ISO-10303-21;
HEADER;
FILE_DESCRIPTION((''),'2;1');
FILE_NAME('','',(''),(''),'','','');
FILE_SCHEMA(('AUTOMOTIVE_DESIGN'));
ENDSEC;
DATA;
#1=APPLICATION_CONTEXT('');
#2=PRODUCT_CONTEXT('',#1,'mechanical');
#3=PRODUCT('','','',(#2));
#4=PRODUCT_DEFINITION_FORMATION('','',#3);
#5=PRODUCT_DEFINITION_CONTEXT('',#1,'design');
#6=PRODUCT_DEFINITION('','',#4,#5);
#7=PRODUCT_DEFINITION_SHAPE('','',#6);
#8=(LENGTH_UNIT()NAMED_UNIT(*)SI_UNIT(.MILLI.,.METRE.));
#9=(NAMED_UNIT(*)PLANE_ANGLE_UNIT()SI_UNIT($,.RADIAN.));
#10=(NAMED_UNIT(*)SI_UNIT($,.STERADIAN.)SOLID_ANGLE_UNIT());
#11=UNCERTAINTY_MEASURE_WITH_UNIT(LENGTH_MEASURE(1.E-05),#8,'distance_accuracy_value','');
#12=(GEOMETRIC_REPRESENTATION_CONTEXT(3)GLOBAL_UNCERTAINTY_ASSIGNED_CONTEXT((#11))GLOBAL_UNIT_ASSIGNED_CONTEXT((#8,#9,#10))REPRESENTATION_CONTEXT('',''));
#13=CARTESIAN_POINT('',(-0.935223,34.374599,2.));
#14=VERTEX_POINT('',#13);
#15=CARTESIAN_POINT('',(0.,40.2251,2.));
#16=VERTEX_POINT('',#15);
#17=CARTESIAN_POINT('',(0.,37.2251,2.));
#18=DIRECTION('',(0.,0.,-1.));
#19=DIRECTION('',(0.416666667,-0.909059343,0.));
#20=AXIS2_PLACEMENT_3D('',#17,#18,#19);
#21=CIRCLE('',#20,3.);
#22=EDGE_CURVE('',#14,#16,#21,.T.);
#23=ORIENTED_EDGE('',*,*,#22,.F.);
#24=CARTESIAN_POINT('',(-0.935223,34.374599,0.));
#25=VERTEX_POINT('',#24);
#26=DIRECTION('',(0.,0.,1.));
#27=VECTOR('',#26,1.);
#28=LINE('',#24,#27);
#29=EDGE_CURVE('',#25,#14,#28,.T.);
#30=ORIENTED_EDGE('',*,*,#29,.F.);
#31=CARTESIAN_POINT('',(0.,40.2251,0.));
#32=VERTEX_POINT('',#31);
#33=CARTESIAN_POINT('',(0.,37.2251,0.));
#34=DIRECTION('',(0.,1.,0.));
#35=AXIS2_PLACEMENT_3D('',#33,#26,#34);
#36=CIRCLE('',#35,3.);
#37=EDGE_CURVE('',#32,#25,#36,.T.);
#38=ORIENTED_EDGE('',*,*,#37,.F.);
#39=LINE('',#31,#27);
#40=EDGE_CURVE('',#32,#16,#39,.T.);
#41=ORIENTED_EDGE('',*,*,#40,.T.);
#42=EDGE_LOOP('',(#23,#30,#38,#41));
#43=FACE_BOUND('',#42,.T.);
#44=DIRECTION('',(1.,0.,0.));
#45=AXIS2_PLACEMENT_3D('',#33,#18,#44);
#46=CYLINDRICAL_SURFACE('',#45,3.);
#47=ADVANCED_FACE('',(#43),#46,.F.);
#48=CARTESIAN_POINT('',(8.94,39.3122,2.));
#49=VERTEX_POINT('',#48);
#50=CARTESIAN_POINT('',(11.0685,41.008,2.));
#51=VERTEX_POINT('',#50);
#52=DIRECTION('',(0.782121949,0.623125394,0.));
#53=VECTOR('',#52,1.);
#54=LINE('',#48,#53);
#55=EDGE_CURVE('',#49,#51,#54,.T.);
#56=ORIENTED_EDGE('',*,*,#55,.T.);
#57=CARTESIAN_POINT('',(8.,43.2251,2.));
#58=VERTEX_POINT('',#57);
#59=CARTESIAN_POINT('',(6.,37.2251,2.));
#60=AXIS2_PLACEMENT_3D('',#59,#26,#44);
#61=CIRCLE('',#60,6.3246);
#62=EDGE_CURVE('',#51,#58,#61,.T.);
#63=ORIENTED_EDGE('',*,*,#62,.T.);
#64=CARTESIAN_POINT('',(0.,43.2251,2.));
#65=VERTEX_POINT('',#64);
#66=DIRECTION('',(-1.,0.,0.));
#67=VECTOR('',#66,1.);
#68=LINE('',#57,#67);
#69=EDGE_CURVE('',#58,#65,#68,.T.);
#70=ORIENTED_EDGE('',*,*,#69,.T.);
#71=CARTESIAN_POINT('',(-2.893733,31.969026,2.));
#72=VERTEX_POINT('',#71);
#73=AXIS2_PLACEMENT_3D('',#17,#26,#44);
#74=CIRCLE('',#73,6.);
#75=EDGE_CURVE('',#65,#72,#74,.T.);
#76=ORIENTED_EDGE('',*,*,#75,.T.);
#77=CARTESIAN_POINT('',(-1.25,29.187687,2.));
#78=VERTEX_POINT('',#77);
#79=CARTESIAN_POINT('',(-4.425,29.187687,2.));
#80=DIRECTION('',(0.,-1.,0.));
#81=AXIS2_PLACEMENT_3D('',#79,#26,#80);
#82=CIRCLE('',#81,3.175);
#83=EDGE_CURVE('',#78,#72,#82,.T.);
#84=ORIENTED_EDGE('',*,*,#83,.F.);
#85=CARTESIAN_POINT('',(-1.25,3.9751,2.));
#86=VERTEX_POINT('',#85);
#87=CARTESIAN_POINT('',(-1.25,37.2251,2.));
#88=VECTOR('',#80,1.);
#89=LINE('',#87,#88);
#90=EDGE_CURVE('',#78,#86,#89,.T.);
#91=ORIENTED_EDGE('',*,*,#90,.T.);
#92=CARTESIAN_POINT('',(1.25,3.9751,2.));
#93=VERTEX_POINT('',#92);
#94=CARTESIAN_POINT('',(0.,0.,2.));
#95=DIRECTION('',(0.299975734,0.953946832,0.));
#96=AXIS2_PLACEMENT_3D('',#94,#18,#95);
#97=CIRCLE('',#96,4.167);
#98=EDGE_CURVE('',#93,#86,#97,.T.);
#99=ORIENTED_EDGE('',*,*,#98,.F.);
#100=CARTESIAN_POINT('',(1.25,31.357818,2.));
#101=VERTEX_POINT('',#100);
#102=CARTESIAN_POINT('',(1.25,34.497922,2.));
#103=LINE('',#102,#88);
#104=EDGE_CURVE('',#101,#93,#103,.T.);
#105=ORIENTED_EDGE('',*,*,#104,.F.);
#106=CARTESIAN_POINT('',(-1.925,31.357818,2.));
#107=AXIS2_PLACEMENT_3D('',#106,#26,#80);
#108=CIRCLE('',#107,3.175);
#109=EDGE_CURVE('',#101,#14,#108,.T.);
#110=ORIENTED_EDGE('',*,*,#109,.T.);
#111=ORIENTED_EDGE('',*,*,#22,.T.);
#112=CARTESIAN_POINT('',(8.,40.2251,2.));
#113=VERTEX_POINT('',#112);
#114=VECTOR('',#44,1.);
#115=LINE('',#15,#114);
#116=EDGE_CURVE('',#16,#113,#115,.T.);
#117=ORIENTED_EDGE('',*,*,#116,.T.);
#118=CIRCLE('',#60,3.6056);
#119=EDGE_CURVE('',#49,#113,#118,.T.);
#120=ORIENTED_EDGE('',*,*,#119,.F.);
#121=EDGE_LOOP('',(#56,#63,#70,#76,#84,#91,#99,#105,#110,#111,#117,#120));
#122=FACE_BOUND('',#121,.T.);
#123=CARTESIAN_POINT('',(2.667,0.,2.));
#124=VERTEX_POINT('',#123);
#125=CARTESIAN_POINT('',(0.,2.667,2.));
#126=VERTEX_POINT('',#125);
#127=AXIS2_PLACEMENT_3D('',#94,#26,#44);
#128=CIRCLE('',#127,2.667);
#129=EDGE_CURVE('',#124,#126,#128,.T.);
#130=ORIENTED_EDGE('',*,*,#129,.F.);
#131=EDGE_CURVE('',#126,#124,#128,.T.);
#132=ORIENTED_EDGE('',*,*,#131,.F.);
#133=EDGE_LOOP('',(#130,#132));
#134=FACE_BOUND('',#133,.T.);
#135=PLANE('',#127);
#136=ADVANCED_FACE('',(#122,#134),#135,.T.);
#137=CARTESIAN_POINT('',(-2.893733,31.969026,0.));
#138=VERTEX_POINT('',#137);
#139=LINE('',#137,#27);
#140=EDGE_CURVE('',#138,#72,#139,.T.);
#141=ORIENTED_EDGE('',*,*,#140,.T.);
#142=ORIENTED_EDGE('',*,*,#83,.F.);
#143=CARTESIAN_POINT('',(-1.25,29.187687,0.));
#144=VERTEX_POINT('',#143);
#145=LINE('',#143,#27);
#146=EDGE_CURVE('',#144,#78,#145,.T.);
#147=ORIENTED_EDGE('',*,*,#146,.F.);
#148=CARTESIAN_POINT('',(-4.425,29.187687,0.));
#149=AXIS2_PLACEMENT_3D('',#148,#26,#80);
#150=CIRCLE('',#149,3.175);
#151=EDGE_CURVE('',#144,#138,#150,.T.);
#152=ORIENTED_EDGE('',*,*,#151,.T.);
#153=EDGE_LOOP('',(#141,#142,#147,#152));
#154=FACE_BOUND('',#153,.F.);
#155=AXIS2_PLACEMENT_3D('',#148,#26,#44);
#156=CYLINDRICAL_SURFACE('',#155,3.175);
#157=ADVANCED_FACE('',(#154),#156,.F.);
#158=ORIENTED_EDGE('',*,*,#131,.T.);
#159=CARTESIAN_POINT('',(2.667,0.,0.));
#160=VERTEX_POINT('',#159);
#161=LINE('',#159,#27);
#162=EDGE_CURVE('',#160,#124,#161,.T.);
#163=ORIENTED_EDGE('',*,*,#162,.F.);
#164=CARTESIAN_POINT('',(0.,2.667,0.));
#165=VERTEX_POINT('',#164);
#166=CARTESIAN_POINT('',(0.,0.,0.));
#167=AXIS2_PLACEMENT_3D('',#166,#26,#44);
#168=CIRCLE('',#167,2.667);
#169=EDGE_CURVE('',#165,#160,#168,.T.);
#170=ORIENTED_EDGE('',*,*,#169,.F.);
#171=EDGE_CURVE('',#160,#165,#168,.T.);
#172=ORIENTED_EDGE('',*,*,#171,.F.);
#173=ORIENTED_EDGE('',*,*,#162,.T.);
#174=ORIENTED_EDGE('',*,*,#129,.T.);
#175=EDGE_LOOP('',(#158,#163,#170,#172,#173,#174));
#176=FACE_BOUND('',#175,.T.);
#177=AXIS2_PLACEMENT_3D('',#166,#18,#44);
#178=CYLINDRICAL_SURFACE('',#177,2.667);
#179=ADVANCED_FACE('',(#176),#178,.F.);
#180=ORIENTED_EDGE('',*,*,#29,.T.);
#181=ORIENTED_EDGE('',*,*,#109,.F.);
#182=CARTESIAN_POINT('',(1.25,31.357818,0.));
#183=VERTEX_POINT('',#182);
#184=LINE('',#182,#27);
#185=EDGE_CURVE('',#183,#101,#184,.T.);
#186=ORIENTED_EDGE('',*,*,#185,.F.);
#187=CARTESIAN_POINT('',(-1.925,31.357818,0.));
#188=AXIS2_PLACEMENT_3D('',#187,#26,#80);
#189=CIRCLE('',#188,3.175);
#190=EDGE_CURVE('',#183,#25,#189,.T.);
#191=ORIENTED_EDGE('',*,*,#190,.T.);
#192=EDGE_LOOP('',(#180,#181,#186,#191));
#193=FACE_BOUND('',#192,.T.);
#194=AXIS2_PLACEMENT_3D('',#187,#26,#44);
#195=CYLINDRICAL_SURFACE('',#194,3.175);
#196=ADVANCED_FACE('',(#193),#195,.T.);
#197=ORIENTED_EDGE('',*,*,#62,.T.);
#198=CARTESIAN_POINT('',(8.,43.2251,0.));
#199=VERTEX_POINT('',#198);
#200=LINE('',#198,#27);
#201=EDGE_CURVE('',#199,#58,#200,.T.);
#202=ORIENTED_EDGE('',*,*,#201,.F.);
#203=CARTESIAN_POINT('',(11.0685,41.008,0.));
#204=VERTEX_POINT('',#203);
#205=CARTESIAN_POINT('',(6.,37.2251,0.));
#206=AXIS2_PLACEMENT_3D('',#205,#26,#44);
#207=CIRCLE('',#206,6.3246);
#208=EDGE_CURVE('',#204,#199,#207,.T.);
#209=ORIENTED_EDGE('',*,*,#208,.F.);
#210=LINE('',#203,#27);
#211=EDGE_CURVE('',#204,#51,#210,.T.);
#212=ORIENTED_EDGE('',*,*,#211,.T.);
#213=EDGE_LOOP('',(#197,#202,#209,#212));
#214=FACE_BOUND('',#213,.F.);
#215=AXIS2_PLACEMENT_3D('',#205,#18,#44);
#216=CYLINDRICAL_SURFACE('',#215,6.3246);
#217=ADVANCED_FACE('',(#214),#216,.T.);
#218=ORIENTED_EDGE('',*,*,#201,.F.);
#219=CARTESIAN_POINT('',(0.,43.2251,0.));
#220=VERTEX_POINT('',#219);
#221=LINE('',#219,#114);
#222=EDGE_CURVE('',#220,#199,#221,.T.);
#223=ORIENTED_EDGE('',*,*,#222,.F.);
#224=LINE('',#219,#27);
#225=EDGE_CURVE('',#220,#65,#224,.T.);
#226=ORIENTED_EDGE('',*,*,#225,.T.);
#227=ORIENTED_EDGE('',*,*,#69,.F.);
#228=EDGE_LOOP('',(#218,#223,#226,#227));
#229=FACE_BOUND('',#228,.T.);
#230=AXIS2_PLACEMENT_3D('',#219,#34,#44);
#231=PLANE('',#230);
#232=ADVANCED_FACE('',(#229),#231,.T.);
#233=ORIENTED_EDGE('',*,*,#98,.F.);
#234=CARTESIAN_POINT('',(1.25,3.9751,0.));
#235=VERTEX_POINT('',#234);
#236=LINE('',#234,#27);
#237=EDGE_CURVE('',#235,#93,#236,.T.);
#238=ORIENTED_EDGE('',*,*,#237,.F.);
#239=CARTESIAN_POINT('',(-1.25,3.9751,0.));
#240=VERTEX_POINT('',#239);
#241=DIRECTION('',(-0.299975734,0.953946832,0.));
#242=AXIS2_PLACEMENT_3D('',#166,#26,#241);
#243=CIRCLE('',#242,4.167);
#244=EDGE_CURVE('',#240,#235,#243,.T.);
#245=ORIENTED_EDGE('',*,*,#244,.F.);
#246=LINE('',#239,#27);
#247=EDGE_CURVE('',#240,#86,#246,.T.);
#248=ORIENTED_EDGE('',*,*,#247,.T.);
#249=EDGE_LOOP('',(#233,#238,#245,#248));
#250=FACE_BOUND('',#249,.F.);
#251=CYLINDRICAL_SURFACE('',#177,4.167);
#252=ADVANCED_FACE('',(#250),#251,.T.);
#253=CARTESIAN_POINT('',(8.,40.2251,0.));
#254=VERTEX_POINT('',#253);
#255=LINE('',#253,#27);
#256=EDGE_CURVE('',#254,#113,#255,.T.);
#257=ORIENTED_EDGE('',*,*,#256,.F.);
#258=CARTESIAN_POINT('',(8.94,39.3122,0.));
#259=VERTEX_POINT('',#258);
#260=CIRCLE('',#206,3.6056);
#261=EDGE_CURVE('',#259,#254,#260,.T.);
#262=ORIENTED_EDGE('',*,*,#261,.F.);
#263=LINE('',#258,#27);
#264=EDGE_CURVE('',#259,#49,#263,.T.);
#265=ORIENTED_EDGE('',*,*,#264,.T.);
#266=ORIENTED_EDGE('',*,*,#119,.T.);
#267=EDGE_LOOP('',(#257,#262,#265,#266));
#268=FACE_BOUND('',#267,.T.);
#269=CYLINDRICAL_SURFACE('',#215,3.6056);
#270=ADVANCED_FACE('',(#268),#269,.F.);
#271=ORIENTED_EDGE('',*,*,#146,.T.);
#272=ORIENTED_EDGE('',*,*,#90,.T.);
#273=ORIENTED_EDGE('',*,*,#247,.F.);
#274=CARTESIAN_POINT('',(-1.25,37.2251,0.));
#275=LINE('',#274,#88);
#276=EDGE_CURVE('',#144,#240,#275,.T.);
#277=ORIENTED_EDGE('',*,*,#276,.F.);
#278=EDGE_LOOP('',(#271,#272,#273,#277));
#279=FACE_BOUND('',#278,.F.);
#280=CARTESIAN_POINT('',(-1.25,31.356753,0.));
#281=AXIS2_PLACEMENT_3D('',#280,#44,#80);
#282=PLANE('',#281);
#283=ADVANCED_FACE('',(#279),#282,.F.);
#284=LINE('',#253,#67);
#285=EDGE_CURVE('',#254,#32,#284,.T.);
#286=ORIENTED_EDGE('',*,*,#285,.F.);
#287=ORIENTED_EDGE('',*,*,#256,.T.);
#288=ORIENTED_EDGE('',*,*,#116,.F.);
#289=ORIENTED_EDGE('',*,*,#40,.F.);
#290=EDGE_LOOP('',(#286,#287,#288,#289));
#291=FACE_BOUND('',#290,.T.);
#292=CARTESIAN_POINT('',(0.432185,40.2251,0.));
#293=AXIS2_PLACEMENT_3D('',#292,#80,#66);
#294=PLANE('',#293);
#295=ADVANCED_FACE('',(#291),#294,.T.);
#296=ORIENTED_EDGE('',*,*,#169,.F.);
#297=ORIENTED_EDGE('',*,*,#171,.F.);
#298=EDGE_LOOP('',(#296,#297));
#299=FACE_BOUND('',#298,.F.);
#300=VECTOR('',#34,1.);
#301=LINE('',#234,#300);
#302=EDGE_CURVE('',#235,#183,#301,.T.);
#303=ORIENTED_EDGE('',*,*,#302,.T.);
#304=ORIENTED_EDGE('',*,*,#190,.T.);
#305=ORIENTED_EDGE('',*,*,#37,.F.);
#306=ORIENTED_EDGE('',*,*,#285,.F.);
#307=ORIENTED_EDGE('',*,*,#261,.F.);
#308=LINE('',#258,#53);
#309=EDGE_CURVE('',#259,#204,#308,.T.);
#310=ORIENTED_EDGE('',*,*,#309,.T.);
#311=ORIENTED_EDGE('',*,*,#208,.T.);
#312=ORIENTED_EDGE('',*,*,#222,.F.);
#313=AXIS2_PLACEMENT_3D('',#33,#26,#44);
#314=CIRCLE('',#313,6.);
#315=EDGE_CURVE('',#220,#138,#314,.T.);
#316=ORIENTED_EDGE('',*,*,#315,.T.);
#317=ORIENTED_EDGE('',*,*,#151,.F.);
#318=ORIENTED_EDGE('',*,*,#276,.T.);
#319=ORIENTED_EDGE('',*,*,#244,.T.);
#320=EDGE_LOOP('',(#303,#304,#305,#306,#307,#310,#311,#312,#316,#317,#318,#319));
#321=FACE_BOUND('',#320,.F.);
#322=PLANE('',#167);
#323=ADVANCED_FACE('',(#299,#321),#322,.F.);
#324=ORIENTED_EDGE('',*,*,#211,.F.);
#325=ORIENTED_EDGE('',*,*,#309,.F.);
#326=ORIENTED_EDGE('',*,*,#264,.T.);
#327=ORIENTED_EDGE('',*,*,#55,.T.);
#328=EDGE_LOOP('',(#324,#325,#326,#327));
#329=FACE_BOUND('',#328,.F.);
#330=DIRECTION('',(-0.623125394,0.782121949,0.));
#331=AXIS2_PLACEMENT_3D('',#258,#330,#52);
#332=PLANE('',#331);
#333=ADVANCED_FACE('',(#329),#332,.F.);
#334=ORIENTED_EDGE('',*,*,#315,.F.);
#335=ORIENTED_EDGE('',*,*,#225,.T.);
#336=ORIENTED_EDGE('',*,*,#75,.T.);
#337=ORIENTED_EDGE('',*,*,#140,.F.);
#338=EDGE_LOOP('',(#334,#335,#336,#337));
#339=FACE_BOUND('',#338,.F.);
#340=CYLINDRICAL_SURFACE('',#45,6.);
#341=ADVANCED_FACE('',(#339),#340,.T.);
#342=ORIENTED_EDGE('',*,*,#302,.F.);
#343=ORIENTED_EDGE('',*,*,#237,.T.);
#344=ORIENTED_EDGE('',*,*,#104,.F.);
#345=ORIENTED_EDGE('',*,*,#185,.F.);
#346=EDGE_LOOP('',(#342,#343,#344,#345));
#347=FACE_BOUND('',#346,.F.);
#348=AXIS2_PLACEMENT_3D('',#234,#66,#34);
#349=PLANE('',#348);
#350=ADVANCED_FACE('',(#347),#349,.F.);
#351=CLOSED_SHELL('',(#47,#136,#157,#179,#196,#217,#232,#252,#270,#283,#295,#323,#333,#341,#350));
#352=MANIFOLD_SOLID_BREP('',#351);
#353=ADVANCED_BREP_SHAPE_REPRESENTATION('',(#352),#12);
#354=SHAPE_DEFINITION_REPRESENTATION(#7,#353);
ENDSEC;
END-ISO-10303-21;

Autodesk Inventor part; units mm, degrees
ref_plane "YZ Plane" through (0, 0, 0) normal (1, 0, 0) x (0, 1, 0)
ref_plane "XZ Plane" through (0, 0, 0) normal (0, 1, 0) x (-1, 0, 0)
ref_plane "XY Plane" through (0, 0, 0) normal (0, 0, 1) x (1, 0, 0)
sketch "Sketch1" plane through (0, 0, 0) normal (0, 0, 1) x (1, 0, 0)
  circle A0 centre (0, 0) radius 2.667
  circle A1 centre (0, 0) radius 4.167
  line L0 (-1.25, 3.9751) -> (1.25, 3.9751)
  line L1 (1.25, 3.9751) -> (1.25, 37.2251)
  line L2 (1.25, 37.2251) -> (-1.25, 37.2251)
  line L3 (-1.25, 37.2251) -> (-1.25, 3.9751)
  line L4 (0, 0) -> (0, 14.9208)
  circle A2 centre (0, 37.2251) radius 3
  circle A3 centre (0, 37.2251) radius 6
  line L5 (0, 43.2251) -> (8, 43.2251)
  line L6 (8, 43.2251) -> (8, 40.2251)
  line L7 (8, 40.2251) -> (0, 40.2251)
  circle A4 centre (6, 37.2251) radius 6.3246
  circle A5 centre (6, 37.2251) radius 3.6056
  line L8 (8.94, 39.3122) -> (11.0685, 41.008)
  point P0 (-1.25, 31.3567)
  point P1 (1.25, 3.9751)
  point P2 (1.25, 3.9751)
  point P3 (1.25, 34.4979)
  dimension "d1" = 8.334
  dimension "d5" = 6
  dimension "d0" = 5.334
  dimension "d2" = 1.25
  dimension "d3" = 1.25
  dimension "d4" = 33.25
  dimension "d6" = 12
  dimension "d7" = 8
extrude "Extrusion1" add sketch "Sketch1" along normal blind 2 contours L0 A1 | L0 A1 L4 | L4 A1 L0 | L3 A3 L1 A1 | A3 A4 L7 A2 L3 | L3 A2 A4 L1 A3 | L5 A4 A3 | A4 A2 L1 | A4 L5 L6 A5 A3 | A3 A5 L7 A4 | A5 L7 A3 | A3 L7 A5 | A4 L8 A5 L6 picked at (6.8274, 40.3479) picked at (4.4958, 40.2834)
fillet "Fillet1" radius 3.175 2 edges at (1.25, 34.4979, 1) (-1.25, 31.3567, 1)
equation "\"d2\" = d3"
properties part number "Hook"
